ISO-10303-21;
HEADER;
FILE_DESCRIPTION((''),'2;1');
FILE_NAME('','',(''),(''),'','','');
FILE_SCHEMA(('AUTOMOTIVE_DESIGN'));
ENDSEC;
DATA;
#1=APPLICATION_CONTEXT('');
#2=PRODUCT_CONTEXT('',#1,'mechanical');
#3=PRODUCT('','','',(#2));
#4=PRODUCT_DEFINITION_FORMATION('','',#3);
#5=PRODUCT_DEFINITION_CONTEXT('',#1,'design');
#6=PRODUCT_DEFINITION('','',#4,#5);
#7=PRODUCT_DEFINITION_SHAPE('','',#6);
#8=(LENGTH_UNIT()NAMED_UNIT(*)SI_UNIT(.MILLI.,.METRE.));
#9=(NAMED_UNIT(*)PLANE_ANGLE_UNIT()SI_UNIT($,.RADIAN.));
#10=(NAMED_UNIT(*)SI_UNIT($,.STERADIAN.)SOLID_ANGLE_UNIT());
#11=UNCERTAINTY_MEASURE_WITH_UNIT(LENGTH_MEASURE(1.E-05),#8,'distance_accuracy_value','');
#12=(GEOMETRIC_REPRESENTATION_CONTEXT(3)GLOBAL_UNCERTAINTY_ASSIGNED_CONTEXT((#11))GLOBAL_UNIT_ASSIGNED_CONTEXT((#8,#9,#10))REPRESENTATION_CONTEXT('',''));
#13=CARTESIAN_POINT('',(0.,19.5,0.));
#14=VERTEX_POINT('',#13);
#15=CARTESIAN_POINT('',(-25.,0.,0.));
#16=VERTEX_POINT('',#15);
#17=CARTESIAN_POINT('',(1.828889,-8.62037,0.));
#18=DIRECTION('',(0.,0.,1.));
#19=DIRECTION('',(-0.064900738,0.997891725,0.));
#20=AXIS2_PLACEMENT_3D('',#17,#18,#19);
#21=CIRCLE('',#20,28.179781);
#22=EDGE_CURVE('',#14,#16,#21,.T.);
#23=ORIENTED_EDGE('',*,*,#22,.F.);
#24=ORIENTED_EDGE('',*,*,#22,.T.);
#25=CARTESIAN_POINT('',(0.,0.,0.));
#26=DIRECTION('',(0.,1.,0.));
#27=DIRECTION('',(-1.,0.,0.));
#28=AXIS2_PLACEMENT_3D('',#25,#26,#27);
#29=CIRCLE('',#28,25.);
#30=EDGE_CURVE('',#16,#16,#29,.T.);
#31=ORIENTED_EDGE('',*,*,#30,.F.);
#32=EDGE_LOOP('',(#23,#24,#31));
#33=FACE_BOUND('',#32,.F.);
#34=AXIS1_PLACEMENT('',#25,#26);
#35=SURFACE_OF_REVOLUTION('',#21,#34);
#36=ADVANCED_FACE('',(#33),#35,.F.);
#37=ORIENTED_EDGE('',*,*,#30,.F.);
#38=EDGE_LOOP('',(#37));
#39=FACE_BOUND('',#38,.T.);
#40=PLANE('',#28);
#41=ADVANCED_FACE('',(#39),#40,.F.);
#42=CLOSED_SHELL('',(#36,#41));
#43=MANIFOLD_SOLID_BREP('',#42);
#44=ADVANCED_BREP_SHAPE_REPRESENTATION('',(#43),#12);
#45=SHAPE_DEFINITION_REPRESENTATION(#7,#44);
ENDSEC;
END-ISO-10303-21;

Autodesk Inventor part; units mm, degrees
ref_plane "YZ Plane" through (0, 0, 0) normal (1, 0, 0) x (0, 1, 0)
ref_plane "XZ Plane" through (0, 0, 0) normal (0, 1, 0) x (-1, 0, 0)
ref_plane "XY Plane" through (0, 0, 0) normal (0, 0, 1) x (1, 0, 0)
sketch "Sketch1" plane through (0, 0, 0) normal (0, 0, 1) x (1, 0, 0)
  line L0 (0, 0) -> (0, 19.5)
  line L1 (0, 0) -> (-25, 0)
  arc A0 (0, 19.5) -> (-25, 0) centre (1.8289, -8.6204) ccw
  dimension "d0" = 25
  dimension "d1" = 19.5
revolve "Revolution1" add sketch "Sketch1" angle 360 about axis through (0, 0, 0) along (0, 1, 0)
properties part number "Comar39AF50"
